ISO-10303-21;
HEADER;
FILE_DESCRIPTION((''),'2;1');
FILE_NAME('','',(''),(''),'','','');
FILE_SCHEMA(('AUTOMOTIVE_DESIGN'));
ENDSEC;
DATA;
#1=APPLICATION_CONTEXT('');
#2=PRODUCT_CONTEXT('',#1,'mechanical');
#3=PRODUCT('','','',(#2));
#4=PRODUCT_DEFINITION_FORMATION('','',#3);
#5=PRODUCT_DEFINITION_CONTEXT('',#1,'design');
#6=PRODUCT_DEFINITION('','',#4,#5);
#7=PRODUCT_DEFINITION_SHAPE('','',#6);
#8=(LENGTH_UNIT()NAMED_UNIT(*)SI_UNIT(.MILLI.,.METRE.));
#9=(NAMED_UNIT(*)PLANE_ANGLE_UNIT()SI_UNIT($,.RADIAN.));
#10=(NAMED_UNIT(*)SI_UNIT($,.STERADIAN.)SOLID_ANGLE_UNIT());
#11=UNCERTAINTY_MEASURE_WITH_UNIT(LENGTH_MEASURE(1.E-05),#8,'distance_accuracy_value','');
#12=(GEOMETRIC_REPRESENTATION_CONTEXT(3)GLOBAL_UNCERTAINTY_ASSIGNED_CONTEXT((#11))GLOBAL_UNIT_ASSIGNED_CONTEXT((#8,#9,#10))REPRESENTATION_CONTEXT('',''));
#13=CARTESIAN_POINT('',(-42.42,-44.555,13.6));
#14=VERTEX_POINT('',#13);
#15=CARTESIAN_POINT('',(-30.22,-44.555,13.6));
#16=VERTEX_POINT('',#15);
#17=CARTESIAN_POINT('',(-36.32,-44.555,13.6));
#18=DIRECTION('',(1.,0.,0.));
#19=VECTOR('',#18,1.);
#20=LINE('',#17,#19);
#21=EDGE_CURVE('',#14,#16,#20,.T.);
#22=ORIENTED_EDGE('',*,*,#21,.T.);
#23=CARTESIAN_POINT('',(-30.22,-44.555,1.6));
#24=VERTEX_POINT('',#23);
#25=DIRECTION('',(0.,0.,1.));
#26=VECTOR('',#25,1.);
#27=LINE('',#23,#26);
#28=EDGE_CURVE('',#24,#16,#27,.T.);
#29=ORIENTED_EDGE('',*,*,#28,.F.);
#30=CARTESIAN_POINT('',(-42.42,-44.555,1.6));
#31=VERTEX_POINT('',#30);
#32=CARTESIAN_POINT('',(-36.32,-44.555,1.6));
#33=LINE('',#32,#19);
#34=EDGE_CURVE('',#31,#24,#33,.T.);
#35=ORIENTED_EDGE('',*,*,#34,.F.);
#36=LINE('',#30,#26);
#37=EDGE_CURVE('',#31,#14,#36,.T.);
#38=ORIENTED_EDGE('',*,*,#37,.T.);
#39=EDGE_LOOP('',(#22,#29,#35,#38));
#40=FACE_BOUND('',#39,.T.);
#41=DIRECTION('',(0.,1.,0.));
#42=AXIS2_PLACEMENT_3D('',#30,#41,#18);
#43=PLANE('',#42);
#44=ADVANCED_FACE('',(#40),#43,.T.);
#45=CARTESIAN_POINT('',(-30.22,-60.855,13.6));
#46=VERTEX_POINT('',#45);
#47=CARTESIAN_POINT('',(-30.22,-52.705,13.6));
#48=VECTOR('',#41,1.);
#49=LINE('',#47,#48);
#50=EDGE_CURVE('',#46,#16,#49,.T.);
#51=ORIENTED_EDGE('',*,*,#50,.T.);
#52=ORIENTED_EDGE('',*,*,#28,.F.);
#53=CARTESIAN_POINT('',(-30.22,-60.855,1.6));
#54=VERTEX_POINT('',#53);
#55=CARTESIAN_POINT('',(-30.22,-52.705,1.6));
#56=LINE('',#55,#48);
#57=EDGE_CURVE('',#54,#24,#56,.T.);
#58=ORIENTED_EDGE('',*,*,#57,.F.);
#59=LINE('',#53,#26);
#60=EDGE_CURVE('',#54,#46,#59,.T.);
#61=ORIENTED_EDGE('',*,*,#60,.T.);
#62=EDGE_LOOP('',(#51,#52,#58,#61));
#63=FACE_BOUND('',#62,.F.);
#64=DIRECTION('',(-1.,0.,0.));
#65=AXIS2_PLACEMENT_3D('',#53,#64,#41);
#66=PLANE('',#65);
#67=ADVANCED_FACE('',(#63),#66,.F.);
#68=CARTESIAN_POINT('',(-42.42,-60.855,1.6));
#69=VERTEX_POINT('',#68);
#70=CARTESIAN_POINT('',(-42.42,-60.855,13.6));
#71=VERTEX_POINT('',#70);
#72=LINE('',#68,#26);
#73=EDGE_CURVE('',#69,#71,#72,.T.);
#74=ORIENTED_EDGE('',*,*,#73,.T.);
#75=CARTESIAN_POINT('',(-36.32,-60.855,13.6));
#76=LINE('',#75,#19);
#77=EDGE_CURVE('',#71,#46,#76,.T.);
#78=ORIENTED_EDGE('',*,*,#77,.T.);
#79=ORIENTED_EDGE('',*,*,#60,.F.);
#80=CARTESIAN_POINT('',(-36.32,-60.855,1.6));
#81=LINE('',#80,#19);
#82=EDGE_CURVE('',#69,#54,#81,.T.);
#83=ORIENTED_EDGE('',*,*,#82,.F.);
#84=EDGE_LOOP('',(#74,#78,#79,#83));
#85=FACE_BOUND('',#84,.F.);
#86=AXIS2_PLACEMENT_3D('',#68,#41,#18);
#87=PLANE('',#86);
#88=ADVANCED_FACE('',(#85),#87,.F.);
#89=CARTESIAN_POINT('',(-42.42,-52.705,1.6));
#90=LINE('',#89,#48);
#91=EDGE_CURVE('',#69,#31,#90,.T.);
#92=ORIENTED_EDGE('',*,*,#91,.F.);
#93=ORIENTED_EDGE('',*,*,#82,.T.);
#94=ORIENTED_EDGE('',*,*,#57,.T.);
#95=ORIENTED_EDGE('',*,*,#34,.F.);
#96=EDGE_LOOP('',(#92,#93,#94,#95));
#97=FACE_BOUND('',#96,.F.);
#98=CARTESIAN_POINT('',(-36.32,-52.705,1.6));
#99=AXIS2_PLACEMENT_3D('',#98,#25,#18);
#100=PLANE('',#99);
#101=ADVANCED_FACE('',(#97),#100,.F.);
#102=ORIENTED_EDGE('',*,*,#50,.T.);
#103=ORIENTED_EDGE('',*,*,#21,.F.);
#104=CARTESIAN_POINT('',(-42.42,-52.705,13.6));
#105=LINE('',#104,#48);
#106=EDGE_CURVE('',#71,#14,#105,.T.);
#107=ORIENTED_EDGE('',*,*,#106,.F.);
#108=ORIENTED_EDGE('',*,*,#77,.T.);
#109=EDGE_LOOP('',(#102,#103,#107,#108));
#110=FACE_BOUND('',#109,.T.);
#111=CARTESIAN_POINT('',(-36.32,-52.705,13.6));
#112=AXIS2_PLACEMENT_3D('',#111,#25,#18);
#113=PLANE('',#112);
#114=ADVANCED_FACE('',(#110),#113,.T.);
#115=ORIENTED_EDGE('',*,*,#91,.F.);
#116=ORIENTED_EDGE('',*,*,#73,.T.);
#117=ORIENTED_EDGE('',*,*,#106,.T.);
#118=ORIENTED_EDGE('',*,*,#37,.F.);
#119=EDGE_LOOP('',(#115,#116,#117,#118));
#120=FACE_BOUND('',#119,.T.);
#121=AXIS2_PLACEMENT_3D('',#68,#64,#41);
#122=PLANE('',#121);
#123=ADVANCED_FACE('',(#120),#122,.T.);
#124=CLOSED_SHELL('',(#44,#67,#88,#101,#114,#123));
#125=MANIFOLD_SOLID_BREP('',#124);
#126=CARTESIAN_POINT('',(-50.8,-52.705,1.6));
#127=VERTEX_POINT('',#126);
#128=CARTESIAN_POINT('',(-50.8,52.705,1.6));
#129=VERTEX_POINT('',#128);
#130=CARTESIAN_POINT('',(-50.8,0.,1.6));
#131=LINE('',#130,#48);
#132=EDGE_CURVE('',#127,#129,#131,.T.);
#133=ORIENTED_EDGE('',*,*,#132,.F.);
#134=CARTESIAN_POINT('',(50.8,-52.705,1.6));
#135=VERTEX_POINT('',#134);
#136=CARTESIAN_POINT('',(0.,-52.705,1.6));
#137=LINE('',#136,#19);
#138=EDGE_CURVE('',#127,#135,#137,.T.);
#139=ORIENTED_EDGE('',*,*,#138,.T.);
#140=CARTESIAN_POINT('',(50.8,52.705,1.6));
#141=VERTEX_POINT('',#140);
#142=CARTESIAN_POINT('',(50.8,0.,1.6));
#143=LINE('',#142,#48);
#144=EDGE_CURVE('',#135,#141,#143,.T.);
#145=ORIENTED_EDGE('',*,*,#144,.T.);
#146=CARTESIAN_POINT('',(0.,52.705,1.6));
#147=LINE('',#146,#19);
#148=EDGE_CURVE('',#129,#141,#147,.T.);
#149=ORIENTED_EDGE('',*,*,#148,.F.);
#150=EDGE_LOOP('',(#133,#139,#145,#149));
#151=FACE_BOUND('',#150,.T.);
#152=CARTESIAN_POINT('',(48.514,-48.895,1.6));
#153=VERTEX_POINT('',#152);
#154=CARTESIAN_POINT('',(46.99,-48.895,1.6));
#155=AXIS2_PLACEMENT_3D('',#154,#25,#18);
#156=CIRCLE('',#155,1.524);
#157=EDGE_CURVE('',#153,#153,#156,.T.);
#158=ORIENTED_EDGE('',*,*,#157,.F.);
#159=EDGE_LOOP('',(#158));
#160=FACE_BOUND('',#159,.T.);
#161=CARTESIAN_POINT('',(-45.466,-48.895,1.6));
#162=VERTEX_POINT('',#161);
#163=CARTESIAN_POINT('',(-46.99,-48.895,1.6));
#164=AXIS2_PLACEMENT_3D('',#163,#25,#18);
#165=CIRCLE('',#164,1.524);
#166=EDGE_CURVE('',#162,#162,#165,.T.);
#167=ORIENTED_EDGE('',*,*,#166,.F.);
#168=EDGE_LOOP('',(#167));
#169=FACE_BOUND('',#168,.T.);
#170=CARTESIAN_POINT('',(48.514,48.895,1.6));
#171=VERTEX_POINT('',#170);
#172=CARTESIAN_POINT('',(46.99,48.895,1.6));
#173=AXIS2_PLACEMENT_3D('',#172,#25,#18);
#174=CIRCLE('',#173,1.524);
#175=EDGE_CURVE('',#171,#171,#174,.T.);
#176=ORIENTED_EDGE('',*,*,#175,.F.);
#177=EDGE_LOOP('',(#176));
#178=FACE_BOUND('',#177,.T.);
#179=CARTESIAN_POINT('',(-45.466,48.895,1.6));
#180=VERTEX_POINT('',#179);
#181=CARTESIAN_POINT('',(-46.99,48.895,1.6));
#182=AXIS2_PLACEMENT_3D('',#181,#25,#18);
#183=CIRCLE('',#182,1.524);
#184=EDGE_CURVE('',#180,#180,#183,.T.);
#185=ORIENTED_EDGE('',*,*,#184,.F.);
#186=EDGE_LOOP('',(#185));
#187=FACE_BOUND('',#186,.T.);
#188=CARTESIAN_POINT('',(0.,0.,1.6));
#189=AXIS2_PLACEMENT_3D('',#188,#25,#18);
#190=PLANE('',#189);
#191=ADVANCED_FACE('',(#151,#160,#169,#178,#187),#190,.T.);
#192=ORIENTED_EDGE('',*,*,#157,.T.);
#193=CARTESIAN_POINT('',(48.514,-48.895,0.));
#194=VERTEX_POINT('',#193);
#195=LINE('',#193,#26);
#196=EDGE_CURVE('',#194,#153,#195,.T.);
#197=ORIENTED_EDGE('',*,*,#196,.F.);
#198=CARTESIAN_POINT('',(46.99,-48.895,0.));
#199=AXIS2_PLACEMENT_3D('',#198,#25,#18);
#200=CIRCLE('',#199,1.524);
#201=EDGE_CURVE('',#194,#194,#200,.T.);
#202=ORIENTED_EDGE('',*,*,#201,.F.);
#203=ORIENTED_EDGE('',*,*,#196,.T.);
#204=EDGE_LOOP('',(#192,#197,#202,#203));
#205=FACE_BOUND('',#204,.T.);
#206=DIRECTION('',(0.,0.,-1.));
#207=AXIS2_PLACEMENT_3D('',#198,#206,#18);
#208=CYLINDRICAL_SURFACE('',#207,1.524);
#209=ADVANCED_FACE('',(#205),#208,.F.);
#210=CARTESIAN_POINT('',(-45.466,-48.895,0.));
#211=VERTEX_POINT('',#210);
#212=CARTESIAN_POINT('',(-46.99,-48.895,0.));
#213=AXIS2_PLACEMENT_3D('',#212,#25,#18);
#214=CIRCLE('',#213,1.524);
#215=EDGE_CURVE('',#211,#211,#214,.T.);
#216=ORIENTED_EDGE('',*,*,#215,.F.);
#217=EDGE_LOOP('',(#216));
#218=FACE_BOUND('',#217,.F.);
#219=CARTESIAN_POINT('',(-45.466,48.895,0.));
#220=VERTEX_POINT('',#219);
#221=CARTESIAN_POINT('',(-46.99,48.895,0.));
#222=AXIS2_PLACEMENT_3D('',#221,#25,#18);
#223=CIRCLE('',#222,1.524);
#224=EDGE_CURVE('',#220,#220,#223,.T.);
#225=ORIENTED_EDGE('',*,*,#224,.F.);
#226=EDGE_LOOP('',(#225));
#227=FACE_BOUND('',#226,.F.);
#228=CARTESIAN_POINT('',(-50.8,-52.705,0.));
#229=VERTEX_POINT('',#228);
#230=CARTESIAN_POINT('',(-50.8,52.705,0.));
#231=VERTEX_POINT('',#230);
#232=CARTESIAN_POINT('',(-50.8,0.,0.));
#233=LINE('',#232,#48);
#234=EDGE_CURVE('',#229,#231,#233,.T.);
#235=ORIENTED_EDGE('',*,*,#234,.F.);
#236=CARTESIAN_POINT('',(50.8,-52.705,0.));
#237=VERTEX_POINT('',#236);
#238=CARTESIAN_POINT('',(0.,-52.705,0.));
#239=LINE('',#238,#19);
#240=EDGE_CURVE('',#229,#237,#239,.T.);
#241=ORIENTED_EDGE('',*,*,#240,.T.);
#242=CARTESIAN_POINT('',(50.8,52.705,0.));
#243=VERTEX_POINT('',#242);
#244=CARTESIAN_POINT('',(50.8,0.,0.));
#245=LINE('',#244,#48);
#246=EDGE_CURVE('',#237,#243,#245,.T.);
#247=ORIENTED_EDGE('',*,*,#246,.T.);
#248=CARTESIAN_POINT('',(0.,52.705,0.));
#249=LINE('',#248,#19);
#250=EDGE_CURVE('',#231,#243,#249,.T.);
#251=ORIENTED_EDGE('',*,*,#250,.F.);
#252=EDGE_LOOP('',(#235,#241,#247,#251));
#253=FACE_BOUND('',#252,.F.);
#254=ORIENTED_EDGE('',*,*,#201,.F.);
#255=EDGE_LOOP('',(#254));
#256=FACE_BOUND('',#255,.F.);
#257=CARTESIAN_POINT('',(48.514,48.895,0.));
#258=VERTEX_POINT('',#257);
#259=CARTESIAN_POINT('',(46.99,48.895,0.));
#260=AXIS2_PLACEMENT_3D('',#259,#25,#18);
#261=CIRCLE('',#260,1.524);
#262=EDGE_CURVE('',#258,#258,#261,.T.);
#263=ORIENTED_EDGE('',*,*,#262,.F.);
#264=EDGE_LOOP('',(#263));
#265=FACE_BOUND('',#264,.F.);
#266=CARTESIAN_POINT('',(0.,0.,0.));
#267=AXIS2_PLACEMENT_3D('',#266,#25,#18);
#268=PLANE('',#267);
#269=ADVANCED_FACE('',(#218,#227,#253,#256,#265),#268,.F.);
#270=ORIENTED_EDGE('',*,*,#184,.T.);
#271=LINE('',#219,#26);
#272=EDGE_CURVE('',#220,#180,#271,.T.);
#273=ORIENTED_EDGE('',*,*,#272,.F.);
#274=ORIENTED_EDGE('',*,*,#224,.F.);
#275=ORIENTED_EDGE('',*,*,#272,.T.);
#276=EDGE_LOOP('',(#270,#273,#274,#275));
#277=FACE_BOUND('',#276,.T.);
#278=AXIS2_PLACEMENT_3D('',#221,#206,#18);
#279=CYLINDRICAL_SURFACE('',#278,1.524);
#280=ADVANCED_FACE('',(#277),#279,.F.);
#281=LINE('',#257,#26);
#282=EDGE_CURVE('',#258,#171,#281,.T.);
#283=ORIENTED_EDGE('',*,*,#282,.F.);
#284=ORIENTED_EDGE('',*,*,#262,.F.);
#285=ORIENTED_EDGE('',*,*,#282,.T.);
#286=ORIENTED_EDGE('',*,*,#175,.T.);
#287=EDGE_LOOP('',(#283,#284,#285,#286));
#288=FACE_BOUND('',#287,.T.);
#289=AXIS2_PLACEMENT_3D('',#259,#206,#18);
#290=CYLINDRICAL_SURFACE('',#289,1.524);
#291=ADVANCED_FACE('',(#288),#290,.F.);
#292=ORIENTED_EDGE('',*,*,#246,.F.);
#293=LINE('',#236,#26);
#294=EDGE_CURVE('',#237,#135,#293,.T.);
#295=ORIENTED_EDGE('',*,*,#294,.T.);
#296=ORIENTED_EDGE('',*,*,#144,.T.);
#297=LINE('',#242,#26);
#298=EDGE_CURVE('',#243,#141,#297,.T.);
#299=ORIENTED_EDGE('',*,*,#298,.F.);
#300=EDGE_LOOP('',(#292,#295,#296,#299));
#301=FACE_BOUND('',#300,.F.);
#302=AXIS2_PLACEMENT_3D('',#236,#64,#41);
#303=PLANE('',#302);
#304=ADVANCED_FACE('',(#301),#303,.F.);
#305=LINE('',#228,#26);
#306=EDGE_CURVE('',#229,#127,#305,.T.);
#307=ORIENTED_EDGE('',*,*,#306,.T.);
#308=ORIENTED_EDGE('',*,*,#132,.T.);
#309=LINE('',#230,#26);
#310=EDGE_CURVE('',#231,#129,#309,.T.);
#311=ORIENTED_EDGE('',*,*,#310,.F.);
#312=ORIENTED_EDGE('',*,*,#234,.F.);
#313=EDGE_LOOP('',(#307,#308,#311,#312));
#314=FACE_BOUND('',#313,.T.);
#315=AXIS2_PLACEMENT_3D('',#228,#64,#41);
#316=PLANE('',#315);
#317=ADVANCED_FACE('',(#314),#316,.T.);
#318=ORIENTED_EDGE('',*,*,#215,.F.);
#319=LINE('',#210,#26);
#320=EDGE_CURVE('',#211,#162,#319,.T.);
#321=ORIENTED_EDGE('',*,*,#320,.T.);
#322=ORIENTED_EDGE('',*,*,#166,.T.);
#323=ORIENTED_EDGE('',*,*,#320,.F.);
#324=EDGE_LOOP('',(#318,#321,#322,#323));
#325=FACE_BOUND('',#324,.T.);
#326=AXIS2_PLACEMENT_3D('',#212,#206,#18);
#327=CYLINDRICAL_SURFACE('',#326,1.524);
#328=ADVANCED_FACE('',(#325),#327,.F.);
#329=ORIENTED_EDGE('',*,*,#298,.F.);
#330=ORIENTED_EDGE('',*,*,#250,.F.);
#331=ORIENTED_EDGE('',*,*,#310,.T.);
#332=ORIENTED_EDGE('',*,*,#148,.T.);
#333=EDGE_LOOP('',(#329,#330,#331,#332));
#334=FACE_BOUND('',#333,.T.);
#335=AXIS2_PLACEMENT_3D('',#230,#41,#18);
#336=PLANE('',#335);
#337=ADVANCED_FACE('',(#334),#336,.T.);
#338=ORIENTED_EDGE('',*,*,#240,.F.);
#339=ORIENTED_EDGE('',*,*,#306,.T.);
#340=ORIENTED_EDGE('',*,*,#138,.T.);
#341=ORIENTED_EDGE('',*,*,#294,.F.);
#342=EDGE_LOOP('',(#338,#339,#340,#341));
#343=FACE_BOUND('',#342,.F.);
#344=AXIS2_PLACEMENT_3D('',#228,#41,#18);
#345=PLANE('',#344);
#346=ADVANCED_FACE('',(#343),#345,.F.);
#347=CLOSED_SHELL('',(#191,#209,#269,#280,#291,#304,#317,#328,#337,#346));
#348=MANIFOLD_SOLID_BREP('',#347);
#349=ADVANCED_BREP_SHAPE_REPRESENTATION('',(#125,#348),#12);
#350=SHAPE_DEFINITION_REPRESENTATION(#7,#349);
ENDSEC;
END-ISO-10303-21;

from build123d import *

# Parameters (mm, degrees)
F0_W     = 101.6
F0_H     = 105.41
F0_R     = 1.524
F1_DEPTH = 1.6
F2_W     = 12.2
F2_H     = 16.3
F3_DEPTH = 12


with BuildPart() as f1:
    # F0 (on Top) → F1 (new body)
    with BuildSketch(Plane.XY):
        Rectangle(F0_W, F0_H)
        with Locations((-46.99, -48.895)):
            Circle(F0_R, mode=Mode.SUBTRACT)
        with Locations((46.99, -48.895)):
            Circle(F0_R, mode=Mode.SUBTRACT)
        with Locations((-46.99, 48.895)):
            Circle(F0_R, mode=Mode.SUBTRACT)
        with Locations((46.99, 48.895)):
            Circle(F0_R, mode=Mode.SUBTRACT)
    extrude(amount=F1_DEPTH)


with BuildPart() as f3:
    # F2 (on face) → F3 (new body)
    with BuildSketch(Plane.XY.offset(1.6)):
        with Locations((-36.32, -52.705)):
            Rectangle(F2_W, F2_H)
    extrude(amount=F3_DEPTH)


solid = Compound([f1.part, f3.part])
